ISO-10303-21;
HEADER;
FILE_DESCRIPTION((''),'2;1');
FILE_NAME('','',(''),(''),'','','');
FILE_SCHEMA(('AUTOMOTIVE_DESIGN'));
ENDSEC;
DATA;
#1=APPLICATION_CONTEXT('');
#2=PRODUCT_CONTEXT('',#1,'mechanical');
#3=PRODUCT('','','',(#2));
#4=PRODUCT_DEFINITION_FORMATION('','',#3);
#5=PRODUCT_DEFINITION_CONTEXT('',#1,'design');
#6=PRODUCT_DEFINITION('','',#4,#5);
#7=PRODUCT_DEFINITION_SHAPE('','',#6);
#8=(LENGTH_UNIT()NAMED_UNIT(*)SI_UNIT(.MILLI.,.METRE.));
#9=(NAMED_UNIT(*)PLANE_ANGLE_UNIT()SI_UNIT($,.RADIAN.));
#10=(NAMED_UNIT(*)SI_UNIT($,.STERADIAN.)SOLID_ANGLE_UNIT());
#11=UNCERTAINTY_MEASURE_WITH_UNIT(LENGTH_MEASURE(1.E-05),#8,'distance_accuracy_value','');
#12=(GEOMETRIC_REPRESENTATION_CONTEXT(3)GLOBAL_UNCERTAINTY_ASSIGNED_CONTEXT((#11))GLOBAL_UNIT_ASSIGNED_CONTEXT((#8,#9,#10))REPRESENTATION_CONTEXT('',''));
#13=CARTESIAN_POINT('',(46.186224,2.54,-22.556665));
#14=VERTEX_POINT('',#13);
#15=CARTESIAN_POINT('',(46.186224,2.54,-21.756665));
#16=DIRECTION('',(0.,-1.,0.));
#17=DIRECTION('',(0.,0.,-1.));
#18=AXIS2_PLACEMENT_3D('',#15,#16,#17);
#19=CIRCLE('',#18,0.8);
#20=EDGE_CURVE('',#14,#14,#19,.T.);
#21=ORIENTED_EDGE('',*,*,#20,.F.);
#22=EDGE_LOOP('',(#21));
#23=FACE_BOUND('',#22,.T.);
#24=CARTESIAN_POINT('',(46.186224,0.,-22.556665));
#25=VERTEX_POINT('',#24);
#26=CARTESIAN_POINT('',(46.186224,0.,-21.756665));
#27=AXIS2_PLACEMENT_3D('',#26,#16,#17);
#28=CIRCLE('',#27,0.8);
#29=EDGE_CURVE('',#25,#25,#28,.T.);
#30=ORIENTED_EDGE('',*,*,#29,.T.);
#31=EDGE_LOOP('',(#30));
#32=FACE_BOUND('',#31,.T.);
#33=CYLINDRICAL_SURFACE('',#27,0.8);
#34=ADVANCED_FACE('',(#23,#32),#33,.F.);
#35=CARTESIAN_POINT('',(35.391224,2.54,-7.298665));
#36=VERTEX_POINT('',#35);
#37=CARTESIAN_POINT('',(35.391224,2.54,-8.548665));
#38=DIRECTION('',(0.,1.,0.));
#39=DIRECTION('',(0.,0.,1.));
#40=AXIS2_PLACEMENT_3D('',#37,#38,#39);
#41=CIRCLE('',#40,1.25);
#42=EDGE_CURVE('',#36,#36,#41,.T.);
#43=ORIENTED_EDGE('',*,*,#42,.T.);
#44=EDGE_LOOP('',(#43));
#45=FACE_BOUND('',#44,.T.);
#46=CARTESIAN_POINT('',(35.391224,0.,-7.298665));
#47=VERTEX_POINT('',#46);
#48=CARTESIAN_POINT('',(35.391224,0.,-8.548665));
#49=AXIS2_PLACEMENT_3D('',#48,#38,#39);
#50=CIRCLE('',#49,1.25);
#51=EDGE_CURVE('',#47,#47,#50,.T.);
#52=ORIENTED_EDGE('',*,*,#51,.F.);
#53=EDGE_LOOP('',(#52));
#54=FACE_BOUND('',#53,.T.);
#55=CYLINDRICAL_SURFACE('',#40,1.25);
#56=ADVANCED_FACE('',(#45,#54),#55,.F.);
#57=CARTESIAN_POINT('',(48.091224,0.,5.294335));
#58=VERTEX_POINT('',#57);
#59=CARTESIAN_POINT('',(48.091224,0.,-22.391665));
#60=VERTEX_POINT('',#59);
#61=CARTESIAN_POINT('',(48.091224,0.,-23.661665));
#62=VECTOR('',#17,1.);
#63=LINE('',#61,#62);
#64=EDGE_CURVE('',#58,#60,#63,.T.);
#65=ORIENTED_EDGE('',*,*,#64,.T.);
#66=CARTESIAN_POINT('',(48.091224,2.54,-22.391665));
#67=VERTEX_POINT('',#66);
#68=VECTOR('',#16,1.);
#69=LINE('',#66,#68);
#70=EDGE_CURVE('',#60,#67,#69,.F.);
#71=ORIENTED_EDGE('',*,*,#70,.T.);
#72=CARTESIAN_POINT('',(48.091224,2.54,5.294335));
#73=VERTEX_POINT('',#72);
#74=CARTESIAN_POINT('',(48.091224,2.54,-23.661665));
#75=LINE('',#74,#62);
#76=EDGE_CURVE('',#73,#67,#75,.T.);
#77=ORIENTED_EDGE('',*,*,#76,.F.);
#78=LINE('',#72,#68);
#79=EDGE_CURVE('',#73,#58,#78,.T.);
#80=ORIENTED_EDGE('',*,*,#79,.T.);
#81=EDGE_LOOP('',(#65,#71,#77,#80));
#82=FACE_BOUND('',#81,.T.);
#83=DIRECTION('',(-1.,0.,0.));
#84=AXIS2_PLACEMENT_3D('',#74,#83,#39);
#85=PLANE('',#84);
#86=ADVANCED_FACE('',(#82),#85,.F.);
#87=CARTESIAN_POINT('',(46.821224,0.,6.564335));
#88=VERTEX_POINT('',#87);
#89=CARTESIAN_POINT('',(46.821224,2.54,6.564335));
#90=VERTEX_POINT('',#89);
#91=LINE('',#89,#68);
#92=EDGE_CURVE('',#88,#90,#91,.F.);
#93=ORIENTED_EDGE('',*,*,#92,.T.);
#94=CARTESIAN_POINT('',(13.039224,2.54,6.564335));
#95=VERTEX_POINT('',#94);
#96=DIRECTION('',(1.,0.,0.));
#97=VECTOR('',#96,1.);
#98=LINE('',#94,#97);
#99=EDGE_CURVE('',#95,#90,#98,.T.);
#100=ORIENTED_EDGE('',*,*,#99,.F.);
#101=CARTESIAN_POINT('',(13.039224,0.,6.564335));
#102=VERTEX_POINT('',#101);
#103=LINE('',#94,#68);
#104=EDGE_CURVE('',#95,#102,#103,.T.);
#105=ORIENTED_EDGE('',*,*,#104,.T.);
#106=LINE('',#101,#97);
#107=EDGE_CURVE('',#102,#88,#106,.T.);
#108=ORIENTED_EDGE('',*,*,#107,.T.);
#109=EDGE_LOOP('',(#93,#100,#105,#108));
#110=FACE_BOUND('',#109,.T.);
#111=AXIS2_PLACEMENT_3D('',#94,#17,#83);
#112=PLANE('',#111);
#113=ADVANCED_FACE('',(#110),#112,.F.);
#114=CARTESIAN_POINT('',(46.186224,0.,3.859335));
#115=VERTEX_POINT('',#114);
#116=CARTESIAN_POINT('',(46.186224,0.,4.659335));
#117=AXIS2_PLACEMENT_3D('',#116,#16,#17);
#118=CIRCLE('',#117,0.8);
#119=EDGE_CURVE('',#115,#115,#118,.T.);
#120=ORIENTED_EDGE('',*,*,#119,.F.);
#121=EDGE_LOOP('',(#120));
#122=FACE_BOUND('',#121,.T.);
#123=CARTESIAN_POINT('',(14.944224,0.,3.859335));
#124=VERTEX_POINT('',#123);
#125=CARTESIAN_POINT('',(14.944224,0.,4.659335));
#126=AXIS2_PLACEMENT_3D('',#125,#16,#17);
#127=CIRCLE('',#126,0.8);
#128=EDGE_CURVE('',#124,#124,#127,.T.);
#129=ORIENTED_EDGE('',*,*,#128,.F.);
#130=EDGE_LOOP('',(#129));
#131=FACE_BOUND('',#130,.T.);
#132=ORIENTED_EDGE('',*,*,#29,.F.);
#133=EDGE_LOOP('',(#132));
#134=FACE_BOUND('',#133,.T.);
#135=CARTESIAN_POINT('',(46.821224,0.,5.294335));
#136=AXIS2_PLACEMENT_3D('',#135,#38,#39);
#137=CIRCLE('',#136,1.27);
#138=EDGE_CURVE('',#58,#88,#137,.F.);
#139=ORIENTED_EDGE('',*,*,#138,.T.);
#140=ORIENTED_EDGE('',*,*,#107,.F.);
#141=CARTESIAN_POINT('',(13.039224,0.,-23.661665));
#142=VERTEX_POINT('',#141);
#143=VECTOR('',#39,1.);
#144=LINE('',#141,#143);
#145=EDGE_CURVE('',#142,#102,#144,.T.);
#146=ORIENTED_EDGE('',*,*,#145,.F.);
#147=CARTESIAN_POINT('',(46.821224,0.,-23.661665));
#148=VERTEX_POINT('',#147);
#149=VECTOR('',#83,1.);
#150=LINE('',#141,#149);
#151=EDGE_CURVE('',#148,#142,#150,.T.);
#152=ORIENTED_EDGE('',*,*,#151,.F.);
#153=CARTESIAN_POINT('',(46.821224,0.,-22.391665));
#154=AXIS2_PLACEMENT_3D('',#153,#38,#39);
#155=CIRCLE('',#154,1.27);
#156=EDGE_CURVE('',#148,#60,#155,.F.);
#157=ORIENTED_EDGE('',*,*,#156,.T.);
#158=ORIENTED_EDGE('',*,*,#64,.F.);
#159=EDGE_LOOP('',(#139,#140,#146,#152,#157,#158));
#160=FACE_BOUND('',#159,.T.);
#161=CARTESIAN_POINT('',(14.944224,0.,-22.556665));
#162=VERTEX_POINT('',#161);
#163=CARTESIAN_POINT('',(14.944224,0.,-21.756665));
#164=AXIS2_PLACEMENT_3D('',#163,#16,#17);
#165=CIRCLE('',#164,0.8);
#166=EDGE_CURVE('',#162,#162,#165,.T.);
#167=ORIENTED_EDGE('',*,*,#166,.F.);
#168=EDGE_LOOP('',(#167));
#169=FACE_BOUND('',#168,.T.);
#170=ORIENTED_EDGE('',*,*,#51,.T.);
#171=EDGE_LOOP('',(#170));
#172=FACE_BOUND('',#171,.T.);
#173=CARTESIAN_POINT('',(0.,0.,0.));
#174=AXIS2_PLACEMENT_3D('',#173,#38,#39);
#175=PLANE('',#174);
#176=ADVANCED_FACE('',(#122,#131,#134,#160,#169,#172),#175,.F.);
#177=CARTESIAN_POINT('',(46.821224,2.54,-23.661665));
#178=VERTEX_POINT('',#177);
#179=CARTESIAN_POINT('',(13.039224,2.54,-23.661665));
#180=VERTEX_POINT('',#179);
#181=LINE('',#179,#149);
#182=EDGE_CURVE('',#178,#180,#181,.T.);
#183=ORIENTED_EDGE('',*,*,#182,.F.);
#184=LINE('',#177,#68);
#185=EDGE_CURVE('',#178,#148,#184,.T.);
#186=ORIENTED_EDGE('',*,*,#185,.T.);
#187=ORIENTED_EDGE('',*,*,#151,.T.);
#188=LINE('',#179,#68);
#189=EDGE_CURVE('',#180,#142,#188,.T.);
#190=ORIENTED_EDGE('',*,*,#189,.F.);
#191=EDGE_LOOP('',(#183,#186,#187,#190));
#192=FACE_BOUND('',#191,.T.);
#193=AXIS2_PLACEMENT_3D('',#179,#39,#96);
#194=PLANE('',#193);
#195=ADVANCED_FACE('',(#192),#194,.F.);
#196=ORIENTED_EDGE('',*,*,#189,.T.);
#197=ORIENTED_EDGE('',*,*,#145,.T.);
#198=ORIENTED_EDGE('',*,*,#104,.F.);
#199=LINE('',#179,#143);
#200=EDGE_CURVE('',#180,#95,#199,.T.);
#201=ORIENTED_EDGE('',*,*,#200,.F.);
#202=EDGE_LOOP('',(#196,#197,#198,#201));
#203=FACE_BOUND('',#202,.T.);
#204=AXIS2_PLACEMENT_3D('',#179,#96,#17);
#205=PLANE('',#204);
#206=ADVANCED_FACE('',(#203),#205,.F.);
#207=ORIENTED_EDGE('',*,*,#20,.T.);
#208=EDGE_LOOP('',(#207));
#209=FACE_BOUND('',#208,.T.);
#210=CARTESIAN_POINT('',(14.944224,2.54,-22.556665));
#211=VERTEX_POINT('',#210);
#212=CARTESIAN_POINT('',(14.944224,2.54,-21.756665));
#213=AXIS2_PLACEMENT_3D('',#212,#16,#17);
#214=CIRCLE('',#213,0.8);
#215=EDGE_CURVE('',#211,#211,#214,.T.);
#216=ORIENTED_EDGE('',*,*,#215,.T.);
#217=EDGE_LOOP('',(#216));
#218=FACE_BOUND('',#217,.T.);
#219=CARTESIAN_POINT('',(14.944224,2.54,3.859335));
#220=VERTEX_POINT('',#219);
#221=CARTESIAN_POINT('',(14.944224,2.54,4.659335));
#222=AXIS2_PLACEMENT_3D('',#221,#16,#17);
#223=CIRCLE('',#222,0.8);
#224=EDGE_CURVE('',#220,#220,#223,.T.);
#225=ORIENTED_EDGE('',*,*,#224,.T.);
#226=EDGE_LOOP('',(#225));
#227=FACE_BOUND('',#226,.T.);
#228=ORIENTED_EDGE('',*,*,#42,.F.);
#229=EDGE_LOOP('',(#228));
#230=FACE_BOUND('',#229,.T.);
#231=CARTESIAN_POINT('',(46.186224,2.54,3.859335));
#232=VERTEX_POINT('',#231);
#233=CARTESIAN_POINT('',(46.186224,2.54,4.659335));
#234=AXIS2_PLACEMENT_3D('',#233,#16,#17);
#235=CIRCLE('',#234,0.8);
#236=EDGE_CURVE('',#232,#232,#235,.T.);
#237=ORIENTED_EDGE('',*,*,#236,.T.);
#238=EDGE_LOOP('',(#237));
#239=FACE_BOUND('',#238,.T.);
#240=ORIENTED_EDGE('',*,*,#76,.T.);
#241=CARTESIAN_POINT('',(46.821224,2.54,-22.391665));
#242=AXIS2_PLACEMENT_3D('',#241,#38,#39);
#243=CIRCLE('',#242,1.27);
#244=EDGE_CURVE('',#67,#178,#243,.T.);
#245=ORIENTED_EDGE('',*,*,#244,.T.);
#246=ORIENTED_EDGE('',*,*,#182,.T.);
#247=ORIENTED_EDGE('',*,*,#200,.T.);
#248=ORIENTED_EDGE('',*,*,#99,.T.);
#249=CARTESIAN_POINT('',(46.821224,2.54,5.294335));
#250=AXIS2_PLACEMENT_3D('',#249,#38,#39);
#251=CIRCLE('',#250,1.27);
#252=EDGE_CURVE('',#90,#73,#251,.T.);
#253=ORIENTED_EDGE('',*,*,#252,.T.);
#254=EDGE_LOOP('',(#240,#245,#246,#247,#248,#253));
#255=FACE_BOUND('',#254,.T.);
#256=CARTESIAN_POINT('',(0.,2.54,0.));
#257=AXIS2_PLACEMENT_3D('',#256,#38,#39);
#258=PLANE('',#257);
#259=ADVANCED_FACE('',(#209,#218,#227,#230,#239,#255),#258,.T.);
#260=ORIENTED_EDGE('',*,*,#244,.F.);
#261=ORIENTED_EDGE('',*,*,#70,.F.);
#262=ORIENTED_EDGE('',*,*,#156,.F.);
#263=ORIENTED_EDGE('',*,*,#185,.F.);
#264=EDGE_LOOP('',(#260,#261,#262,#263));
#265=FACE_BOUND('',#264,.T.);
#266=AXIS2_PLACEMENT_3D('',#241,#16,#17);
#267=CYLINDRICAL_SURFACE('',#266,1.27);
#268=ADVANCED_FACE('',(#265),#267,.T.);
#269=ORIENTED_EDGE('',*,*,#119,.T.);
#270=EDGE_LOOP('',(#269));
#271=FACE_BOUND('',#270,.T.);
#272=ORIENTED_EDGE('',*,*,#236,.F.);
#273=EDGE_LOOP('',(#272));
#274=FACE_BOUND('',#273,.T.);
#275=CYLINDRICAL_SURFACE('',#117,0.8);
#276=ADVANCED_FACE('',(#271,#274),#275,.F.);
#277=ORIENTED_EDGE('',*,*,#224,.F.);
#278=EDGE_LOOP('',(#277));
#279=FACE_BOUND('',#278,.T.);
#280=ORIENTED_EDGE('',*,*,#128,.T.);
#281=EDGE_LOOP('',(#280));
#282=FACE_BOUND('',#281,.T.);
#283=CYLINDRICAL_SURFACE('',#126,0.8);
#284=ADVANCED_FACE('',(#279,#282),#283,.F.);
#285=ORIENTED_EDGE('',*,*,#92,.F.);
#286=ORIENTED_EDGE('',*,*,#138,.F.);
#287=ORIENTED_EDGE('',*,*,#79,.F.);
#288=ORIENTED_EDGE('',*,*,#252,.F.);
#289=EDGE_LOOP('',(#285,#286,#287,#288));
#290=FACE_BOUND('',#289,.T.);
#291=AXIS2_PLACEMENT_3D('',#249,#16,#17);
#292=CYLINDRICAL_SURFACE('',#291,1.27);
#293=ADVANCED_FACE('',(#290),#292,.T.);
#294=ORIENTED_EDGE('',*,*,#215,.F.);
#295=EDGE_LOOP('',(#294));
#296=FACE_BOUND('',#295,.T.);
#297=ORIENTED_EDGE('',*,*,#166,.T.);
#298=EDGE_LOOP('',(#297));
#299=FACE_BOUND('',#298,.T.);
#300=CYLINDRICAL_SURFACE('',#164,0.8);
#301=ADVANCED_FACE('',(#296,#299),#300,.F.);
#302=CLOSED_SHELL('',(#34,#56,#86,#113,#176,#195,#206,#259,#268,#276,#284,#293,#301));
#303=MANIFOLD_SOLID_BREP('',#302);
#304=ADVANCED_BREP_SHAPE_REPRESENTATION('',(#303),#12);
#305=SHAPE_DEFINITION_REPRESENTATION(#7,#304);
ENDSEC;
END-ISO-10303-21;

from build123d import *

# Parameters (mm, degrees)
SKETCH1_W                  = 35.052
SKETCH1_H                  = 30.226
BOSS_EXTRUDE1_DEPTH        = 2.54
F_1_6_1_6_DIAMETER_HOLE1_D = 1.6
F_2_5_2_5_DIAMETER_HOLE1_D = 2.5
FILLET1_R                  = 1.27


with BuildPart() as part:
    # Sketch1 → Boss-Extrude1 (new body)
    with BuildSketch(Plane(origin=(0, 0, 0), x_dir=(1, 0, 0), z_dir=(0, 1, 0))):
        with Locations((30.56522406, 8.548665099)):
            Rectangle(SKETCH1_W, SKETCH1_H)
    extrude(amount=BOSS_EXTRUDE1_DEPTH)

    # Ø1.6 (1.6) Diameter Hole1 (through all)
    with Locations(Plane(origin=(0, 0, 0), x_dir=(-1, 0, 0), z_dir=(0, -1, 0))):
        with Locations((-14.94422406, -4.659334901), (-46.18622406, -4.659334901), (-46.18622406, 21.756665099), (-14.94422406, 21.756665099)):
            Hole(F_1_6_1_6_DIAMETER_HOLE1_D / 2)

    # Ø2.5 (2.5) Diameter Hole1 (through all)
    with Locations(Plane(origin=(0, 2.54, 0), x_dir=(1, 0, 0), z_dir=(0, 1, 0))):
        with Locations((35.39122406, 8.548665099)):
            Hole(F_2_5_2_5_DIAMETER_HOLE1_D / 2)

    # Fillet1
    fillet1_edges = [part.edges().sort_by_distance(p)[0] for p in [
        (48.09122406, 1.27, -23.661665099),
        (48.09122406, 1.27, 6.564334901),
    ]]
    fillet(fillet1_edges, radius=FILLET1_R)


solid = part.part
